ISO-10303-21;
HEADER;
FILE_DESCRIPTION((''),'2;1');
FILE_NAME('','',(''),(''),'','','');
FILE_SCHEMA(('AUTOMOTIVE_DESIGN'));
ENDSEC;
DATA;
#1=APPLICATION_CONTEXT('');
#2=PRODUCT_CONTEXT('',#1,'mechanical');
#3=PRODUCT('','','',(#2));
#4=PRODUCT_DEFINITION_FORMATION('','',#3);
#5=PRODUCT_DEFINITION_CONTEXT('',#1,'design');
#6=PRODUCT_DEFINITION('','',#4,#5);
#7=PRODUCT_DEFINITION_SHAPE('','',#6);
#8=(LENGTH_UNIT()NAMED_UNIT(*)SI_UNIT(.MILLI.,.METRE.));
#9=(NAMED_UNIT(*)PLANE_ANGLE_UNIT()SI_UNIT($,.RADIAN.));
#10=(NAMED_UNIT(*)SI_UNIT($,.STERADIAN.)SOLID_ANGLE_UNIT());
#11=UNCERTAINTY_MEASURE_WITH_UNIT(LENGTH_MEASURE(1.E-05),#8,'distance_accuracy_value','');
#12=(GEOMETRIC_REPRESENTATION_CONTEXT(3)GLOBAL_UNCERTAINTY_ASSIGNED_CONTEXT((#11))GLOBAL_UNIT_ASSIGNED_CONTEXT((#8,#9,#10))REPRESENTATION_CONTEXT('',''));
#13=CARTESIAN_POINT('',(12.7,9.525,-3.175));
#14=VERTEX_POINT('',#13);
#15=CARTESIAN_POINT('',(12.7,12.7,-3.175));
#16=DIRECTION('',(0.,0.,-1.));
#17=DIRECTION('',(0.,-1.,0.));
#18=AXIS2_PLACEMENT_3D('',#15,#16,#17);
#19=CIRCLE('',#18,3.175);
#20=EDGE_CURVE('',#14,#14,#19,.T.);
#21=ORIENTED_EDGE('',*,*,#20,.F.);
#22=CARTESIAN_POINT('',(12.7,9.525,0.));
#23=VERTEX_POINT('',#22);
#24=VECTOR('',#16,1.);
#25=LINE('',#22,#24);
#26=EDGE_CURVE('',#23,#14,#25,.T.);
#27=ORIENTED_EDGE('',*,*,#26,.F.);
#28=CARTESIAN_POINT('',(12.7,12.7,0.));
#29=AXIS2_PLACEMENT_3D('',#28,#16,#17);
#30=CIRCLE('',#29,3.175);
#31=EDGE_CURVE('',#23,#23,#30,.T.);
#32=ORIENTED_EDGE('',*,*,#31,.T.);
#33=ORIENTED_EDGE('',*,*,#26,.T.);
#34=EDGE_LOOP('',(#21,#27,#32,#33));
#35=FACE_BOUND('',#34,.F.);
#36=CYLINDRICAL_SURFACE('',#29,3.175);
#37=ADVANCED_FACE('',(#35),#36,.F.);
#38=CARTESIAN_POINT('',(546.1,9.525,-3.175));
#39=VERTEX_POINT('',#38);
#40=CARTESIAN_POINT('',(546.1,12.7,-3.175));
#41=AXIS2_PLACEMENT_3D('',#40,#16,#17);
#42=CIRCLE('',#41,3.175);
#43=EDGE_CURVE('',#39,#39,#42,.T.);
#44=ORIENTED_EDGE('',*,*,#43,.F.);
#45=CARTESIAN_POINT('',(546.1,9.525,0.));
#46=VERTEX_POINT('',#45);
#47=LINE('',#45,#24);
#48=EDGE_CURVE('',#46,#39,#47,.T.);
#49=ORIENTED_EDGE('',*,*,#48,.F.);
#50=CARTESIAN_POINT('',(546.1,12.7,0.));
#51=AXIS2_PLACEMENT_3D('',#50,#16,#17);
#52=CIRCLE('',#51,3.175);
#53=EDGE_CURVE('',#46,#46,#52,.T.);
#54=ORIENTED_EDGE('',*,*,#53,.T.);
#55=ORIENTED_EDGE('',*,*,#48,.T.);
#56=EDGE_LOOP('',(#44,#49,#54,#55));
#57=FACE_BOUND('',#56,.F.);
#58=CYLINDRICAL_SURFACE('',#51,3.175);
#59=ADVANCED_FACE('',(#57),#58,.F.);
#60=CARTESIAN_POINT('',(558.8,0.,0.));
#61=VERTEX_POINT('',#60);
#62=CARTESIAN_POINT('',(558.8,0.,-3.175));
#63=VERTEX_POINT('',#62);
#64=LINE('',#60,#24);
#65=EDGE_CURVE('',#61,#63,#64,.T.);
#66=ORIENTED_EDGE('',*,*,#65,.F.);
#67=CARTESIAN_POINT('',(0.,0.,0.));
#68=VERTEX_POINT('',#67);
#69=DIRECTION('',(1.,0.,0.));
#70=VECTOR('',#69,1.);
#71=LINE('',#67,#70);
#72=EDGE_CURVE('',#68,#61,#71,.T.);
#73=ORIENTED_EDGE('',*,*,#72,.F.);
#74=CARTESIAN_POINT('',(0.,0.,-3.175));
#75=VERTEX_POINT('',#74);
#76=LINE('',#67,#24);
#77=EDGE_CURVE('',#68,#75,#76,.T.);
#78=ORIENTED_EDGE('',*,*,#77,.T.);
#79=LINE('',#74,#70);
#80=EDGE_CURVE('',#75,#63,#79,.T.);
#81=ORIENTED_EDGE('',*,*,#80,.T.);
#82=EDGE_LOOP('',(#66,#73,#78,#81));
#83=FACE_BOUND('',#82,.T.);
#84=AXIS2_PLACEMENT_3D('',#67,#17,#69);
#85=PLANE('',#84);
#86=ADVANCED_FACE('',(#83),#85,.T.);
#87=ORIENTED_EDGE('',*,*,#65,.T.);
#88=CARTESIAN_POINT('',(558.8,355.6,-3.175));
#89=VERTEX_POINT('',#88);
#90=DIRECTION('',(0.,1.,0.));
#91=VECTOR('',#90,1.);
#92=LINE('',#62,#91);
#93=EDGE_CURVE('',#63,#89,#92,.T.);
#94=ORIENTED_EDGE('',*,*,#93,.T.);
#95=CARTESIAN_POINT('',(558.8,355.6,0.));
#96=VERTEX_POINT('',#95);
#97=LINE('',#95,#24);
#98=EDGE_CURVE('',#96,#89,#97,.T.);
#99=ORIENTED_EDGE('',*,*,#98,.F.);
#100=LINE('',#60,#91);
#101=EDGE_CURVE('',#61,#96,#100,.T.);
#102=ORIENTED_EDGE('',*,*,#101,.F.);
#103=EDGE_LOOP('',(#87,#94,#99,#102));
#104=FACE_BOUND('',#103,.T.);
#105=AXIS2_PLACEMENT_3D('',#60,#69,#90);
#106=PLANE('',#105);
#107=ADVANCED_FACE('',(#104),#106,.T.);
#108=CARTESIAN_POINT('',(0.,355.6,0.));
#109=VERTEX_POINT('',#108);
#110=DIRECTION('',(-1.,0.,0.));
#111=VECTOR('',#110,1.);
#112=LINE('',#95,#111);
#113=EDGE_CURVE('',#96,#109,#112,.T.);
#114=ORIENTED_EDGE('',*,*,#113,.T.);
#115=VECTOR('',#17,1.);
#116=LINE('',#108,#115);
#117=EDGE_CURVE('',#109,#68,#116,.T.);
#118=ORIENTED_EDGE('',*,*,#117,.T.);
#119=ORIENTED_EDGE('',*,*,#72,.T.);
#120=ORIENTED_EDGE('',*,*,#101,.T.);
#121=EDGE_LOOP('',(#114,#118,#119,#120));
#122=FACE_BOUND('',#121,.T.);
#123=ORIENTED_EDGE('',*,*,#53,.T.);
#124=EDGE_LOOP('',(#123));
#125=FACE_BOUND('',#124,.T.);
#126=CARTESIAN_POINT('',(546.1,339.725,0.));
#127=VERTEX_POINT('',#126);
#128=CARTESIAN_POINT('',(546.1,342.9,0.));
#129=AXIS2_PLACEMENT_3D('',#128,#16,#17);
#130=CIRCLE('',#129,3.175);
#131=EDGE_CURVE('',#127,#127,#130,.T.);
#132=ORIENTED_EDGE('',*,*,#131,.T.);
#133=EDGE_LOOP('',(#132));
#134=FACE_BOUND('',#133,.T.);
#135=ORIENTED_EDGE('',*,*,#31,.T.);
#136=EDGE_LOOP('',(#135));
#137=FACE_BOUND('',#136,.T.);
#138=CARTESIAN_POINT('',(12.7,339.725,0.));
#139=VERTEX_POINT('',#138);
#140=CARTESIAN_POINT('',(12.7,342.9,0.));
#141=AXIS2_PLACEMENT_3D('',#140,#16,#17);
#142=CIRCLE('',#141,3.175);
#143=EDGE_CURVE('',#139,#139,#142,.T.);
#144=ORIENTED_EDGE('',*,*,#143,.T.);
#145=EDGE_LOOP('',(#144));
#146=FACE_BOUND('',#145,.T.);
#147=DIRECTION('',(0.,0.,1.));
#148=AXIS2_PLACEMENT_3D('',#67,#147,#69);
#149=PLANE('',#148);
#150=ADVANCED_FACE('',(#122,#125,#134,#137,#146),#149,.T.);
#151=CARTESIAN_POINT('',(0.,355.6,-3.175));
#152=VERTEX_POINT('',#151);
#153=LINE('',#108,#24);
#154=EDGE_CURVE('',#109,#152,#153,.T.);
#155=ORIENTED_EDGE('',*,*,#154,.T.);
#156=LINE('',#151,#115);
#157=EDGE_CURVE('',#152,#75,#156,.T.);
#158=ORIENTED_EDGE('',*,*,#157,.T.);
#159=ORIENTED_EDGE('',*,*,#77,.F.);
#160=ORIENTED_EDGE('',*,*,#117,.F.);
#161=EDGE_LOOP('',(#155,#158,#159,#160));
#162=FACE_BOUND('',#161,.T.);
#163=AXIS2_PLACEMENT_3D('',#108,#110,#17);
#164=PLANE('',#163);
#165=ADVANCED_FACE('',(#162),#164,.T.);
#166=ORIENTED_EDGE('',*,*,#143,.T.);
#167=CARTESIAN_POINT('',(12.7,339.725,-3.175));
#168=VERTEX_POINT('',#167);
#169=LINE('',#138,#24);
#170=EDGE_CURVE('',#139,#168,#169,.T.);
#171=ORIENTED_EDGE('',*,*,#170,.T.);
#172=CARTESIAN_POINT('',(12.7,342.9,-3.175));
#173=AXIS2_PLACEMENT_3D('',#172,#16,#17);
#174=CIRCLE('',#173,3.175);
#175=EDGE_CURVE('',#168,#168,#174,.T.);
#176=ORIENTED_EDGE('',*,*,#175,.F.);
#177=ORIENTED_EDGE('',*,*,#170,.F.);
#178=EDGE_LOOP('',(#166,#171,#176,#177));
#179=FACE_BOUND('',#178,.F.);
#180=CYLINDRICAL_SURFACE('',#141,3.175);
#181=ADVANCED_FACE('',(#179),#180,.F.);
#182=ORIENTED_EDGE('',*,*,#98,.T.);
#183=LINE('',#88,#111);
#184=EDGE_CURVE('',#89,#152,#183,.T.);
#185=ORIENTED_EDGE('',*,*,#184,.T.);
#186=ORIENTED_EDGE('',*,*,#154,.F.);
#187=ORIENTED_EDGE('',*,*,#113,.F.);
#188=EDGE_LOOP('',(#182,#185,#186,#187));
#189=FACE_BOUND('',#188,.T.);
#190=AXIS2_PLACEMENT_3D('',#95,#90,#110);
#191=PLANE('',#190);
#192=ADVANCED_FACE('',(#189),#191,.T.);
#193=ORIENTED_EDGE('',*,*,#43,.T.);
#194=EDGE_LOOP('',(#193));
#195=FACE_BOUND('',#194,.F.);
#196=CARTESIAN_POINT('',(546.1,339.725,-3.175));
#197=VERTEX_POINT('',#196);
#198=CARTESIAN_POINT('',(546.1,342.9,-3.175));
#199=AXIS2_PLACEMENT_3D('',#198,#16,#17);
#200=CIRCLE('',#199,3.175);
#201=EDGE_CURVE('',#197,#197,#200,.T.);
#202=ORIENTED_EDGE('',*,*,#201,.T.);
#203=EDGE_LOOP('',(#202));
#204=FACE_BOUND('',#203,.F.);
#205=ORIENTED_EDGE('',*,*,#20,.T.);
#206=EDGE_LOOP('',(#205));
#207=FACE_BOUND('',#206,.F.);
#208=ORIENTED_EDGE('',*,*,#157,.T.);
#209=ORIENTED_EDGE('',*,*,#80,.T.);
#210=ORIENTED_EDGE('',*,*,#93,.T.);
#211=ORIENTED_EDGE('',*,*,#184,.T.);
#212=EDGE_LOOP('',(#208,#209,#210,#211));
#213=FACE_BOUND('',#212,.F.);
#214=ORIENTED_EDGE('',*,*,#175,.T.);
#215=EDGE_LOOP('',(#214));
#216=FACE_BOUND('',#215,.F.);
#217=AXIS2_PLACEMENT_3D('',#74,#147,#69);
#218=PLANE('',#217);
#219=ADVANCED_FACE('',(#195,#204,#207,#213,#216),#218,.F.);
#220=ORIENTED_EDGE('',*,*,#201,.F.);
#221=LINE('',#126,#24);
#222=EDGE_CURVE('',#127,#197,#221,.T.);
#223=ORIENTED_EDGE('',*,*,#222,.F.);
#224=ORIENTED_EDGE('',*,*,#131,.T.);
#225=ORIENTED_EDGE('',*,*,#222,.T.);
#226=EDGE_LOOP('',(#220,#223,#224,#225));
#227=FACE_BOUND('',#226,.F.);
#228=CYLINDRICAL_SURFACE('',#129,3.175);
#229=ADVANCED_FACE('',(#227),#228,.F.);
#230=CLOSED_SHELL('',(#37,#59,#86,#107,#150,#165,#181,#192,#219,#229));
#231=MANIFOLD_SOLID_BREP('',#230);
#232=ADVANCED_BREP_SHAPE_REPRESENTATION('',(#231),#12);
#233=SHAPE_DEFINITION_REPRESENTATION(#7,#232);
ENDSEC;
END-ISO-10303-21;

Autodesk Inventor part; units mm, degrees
ref_plane "YZ Plane" through (0, 0, 0) normal (1, 0, 0) x (0, 1, 0)
ref_plane "XZ Plane" through (0, 0, 0) normal (0, 1, 0) x (-1, 0, 0)
ref_plane "XY Plane" through (0, 0, 0) normal (0, 0, 1) x (1, 0, 0)
sketch "Sketch1" plane through (0, 0, 0) normal (0, 0, 1) x (1, 0, 0)
  line L0 (0, 0) -> (558.8, 0)
  line L1 (558.8, 0) -> (558.8, 355.6)
  line L2 (558.8, 355.6) -> (0, 355.6)
  line L3 (0, 355.6) -> (0, 0)
  dimension "d0" = 558.8
  dimension "d1" = 355.6
extrude "Extrusion1" add sketch "Sketch1" against normal blind 3.175
sketch "Sketch2" plane through (0, 0, 0) normal (0, 0, 1) x (1, 0, 0)
  line L0 (0, 0) -> (558.8, 0) projected
  line L1 (558.8, 0) -> (558.8, 355.6) projected
  line L2 (558.8, 355.6) -> (0, 355.6) projected
  line L3 (0, 355.6) -> (0, 0) projected
  point P0 (12.7, 342.9)
  point P1 (12.7, 12.7)
  point P2 (546.1, 342.9)
  point P3 (546.1, 12.7)
  dimension "d4" = 12.7
  dimension "d5" = 12.7
  dimension "d6" = 12.7
  dimension "d7" = 12.7
hole "Hole1" at (12.7, 342.9, 0) at (12.7, 12.7, 0) at (546.1, 342.9, 0) at (546.1, 12.7, 0) direction (0, 0, -1) diameter 6.35 depth 25.4 tip angle 118
properties part number "electronics_board"
